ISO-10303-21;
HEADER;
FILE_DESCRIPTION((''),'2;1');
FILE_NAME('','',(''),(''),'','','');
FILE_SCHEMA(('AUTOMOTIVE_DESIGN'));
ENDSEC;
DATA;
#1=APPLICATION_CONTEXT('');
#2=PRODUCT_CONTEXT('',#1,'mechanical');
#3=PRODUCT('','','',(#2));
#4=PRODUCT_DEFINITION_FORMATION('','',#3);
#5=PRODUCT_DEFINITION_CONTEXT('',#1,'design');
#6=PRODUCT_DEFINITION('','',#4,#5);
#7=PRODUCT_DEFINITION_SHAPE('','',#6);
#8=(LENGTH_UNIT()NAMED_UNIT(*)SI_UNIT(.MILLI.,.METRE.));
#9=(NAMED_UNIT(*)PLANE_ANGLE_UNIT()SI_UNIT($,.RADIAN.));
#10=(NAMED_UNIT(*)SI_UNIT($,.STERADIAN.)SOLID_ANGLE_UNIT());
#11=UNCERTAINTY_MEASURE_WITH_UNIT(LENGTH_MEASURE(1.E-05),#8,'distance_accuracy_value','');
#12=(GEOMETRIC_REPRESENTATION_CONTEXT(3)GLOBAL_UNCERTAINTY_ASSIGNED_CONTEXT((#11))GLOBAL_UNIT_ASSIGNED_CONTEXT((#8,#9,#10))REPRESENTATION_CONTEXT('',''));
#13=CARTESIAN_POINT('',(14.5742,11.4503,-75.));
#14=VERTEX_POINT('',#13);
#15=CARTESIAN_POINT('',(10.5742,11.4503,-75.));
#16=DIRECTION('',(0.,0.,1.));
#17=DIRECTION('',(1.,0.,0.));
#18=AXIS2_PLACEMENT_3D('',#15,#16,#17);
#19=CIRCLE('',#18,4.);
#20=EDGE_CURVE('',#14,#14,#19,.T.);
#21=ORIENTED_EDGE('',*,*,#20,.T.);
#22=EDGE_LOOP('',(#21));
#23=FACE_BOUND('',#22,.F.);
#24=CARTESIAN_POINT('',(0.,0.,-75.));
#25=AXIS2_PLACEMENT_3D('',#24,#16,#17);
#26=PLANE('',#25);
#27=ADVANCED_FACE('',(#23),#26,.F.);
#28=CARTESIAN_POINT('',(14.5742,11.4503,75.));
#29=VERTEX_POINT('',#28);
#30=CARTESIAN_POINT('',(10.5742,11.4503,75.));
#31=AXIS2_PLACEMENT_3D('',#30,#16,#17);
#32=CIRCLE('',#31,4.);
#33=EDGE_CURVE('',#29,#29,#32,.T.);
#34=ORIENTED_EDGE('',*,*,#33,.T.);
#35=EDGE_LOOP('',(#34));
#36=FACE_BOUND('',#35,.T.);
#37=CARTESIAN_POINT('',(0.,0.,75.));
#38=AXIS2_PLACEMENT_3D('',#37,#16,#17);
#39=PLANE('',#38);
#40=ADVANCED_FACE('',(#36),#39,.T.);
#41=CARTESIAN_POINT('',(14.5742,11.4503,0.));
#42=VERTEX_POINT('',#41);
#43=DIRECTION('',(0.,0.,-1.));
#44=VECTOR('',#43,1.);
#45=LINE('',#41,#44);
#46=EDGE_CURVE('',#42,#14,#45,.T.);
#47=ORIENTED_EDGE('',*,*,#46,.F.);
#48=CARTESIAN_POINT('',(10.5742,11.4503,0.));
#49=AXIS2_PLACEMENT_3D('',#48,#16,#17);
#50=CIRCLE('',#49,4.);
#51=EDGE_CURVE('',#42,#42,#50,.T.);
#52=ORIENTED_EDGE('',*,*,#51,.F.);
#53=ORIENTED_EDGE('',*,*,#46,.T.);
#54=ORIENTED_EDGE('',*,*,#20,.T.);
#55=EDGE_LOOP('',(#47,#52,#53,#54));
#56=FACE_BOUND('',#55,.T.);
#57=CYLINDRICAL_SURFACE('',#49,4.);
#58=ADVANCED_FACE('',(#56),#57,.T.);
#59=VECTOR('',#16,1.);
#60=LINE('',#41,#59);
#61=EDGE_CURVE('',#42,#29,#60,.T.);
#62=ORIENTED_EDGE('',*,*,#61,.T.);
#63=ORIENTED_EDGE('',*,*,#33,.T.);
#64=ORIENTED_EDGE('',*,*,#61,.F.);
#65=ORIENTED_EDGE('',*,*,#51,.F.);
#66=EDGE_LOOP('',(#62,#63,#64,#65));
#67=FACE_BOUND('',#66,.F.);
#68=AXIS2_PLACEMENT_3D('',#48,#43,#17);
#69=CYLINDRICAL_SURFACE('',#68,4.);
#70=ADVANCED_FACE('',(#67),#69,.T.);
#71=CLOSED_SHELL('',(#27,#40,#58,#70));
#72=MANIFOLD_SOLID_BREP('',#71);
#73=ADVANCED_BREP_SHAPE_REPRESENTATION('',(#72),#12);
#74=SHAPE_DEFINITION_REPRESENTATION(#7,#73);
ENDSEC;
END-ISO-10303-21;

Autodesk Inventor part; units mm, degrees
ref_plane "YZ Plane" through (0, 0, 0) normal (1, 0, 0) x (0, 1, 0)
ref_plane "XZ Plane" through (0, 0, 0) normal (0, 1, 0) x (-1, 0, 0)
ref_plane "XY Plane" through (0, 0, 0) normal (0, 0, 1) x (1, 0, 0)
sketch "Sketch1" plane through (0, 0, 0) normal (0, 0, 1) x (1, 0, 0)
  circle A0 centre (10.5742, 11.4503) radius 4
  point P0 (0, 0)
  dimension "d0" = 8
  dimension "d0" = 8
extrude "Extrusion1" add sketch "Sketch1" along normal mid plane 150
properties part number "ACME Lead Screw 8mm" material "Stainless Steel"
